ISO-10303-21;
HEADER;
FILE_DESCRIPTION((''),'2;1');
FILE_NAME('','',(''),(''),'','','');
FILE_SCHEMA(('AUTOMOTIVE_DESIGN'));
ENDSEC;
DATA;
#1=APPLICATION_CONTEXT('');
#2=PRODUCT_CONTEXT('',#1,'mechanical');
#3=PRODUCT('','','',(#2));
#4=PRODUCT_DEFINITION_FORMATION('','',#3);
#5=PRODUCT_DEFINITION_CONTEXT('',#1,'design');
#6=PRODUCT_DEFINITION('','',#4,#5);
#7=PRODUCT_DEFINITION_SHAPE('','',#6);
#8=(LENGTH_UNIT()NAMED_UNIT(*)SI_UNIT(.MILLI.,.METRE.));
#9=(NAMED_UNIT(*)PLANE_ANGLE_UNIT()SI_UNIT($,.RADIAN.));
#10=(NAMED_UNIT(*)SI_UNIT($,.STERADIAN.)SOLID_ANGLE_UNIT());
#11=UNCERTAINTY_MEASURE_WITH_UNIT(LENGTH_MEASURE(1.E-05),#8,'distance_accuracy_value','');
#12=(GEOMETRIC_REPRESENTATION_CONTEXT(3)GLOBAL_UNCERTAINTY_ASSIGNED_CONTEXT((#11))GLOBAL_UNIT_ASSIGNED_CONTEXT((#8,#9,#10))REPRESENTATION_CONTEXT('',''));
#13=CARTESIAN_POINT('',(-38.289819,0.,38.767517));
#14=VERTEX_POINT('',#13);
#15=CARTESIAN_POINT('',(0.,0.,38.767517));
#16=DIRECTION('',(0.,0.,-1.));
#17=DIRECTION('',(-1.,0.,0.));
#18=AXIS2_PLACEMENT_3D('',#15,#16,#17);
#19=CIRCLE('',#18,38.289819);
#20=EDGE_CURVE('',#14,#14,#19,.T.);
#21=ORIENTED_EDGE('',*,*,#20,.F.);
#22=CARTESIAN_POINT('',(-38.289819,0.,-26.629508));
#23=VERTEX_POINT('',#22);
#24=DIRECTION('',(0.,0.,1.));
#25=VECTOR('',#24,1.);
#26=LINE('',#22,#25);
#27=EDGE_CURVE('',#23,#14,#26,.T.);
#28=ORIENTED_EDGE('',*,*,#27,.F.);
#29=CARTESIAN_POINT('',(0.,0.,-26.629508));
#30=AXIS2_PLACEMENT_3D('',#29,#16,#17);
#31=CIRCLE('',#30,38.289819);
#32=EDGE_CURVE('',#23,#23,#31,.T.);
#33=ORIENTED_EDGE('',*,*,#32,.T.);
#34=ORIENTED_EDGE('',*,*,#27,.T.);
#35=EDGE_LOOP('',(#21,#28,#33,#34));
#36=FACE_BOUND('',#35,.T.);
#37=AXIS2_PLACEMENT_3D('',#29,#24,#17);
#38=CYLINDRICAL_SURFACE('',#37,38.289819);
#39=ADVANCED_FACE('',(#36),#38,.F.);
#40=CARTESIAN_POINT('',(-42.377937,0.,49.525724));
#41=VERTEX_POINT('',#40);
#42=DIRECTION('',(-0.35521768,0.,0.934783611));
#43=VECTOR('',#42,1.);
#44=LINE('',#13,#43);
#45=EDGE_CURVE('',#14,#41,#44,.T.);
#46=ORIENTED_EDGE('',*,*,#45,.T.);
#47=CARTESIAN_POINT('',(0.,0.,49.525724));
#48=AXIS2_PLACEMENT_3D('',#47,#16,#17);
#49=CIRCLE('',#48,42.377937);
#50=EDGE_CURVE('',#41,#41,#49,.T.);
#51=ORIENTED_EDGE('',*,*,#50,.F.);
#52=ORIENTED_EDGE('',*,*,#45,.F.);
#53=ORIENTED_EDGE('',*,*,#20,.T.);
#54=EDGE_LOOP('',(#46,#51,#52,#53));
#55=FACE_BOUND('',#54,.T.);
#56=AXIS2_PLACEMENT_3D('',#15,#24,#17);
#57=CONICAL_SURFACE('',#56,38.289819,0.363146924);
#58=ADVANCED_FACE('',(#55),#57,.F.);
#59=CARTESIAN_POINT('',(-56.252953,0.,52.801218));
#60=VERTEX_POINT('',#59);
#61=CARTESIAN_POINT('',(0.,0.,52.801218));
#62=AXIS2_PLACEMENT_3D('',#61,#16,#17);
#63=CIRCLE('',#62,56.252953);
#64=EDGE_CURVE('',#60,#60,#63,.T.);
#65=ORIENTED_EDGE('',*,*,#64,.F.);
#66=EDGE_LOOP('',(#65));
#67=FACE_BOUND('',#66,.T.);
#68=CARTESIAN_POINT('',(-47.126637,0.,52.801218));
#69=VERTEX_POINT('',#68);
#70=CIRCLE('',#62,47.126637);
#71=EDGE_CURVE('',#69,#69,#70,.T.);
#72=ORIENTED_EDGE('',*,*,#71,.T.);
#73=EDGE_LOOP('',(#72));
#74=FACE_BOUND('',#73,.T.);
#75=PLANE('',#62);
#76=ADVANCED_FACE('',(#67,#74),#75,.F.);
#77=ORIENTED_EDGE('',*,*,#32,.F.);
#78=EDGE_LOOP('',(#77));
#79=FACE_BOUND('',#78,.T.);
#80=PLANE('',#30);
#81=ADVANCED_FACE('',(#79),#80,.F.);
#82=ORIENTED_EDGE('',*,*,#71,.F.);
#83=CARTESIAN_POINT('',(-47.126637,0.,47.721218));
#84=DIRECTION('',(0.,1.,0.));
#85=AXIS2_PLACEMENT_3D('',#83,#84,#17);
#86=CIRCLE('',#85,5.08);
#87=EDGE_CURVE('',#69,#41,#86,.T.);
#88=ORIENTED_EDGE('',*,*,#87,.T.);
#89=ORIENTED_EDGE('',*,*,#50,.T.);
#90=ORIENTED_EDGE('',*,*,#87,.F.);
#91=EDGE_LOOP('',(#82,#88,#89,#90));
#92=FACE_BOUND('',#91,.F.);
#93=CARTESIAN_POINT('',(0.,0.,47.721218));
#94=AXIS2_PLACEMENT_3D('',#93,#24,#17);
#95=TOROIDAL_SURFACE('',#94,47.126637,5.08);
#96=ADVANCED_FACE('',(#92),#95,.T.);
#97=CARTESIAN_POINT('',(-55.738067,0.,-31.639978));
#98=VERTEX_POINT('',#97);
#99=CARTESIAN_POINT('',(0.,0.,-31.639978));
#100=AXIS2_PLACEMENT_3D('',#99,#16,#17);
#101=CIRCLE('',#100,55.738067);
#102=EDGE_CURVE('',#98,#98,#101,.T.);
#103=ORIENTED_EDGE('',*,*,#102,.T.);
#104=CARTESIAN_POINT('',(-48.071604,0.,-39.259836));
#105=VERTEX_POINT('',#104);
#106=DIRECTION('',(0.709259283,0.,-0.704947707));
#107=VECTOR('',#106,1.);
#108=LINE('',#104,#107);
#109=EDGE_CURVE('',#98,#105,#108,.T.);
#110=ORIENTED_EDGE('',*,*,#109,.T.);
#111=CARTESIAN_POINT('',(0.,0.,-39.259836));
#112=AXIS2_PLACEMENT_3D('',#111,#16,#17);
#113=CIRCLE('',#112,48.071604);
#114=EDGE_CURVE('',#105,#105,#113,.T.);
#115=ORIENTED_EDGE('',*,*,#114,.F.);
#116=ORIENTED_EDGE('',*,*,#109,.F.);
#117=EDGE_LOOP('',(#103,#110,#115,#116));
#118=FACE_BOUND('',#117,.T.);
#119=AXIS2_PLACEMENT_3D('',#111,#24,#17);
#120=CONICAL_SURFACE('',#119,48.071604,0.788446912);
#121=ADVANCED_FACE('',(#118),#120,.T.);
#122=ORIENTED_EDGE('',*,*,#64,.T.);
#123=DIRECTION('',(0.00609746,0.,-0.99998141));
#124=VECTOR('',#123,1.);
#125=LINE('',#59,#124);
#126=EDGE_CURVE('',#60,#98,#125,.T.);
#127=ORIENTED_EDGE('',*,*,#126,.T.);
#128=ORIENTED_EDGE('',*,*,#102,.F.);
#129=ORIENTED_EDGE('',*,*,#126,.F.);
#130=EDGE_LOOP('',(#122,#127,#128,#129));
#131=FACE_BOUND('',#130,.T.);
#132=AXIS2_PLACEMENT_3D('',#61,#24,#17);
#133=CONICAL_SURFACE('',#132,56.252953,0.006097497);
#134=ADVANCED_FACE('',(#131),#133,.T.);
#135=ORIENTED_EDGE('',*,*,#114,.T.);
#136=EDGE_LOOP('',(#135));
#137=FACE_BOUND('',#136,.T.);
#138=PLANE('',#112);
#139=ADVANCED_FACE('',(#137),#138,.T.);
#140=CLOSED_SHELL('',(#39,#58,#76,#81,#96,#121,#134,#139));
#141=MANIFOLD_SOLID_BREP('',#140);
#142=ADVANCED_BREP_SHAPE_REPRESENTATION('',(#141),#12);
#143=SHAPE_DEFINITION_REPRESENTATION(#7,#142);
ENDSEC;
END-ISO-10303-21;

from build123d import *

# Parameters (mm, degrees)
F2_R    = 5.08
F3_SIZE = 7.62


with BuildPart() as f1:
    # F0 (on Front) → F1 (revolve)
    with BuildSketch(Plane.XZ):
        Polygon((-43.622624, 52.801218), (-56.252953, 52.801218), (-55.691604, -39.259836), (0, -39.259836), (0, -26.629508), (-38.289819, -26.629508), (-38.289819, 38.767517), align=None)
    revolve(axis=Axis((0, 0, -32.944672), (0, 0, -1)))

    # F2
    f2_edges = [f1.edges().sort_by_distance(p)[0] for p in [
        (43.622624, 0, 52.801218),
    ]]
    fillet(f2_edges, radius=F2_R)

    # F3
    f3_edges = [f1.edges().sort_by_distance(p)[0] for p in [
        (55.691604, 0, -39.259836),
    ]]
    chamfer(f3_edges, length=F3_SIZE)


solid = f1.part
